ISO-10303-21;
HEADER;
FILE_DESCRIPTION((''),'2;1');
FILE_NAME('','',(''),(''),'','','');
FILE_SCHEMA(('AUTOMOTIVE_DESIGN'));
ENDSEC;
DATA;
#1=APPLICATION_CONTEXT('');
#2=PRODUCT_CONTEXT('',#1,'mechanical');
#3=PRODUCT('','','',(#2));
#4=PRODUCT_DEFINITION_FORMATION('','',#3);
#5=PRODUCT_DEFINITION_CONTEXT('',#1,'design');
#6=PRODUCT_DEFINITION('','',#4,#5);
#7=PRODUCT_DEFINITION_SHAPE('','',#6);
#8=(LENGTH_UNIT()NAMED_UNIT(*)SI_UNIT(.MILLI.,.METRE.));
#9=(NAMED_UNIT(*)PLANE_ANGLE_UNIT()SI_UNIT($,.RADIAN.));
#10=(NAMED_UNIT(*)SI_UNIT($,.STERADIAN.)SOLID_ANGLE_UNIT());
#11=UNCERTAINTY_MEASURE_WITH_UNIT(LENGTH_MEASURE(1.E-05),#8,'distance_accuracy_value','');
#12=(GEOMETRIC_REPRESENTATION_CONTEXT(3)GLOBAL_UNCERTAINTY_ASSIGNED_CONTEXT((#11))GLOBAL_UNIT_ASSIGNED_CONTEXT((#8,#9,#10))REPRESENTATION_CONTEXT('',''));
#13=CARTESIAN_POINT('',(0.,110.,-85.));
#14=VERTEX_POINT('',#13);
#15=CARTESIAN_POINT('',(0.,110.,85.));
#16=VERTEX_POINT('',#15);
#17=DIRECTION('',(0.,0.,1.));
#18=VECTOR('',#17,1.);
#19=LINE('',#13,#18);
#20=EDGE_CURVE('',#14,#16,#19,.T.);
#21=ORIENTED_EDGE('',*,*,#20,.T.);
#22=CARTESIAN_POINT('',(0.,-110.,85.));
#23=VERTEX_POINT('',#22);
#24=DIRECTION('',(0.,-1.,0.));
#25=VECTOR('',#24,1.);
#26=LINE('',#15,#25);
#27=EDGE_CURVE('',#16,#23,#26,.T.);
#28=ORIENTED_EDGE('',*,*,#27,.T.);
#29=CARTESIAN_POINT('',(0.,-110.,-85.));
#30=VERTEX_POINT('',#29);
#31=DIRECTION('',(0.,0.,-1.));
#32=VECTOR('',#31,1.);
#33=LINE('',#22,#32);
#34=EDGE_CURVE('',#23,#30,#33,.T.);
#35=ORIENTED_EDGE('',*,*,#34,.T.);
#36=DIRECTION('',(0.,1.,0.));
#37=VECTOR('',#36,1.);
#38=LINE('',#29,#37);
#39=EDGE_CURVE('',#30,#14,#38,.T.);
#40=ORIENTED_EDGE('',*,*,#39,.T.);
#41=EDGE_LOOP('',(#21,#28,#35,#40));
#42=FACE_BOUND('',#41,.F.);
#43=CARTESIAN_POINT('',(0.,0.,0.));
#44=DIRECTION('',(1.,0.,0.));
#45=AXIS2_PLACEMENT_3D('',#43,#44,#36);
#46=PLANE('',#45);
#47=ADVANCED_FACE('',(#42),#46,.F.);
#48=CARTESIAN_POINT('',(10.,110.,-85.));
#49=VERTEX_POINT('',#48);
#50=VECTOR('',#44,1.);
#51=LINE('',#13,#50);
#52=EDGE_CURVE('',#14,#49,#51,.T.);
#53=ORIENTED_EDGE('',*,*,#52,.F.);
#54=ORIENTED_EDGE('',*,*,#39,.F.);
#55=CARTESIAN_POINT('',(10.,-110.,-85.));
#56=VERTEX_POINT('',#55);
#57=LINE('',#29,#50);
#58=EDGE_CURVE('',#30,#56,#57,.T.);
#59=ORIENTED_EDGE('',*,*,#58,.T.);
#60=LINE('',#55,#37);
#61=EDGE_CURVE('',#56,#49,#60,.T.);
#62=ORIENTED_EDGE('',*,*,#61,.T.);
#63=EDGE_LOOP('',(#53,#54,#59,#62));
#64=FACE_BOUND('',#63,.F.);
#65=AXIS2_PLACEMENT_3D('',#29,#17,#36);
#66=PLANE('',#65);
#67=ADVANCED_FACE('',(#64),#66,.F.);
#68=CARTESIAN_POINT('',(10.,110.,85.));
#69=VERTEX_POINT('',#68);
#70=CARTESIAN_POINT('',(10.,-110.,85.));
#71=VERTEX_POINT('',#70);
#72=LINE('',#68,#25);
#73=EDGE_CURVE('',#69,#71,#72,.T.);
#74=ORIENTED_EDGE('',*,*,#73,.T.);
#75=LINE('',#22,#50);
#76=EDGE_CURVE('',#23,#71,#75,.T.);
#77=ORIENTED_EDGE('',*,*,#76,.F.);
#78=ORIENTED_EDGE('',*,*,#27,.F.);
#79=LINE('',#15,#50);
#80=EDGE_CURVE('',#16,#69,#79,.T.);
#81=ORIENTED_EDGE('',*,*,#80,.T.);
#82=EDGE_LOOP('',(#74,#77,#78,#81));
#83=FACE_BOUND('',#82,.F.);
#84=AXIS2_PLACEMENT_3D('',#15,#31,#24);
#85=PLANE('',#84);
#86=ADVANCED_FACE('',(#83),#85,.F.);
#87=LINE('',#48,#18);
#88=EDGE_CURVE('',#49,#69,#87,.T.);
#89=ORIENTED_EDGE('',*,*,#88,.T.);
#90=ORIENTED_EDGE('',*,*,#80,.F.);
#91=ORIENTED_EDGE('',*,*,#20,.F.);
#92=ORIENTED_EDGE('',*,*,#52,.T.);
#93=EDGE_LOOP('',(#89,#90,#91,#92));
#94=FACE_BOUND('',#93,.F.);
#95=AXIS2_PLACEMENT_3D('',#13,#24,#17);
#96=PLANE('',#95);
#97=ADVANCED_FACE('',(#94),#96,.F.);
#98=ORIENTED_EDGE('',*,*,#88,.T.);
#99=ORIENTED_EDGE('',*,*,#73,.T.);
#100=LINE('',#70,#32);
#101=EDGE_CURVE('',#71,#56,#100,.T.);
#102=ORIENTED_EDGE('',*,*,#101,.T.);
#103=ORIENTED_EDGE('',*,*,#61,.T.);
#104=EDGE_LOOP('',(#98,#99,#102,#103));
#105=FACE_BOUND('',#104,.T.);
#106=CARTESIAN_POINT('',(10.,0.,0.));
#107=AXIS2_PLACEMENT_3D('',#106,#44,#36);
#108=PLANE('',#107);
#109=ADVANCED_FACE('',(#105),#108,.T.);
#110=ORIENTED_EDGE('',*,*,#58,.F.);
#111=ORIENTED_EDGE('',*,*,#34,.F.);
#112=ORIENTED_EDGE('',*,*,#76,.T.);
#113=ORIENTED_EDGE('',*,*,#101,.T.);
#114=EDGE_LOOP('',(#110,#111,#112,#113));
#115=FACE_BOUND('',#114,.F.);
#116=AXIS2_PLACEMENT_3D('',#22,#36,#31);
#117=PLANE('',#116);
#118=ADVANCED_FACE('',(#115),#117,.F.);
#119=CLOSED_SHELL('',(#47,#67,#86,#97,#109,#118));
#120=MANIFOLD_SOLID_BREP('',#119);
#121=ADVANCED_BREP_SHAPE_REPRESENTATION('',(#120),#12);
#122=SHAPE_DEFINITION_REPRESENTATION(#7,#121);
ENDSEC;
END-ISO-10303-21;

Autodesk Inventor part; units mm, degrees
ref_plane "YZ Plane" through (0, 0, 0) normal (1, 0, 0) x (0, 1, 0)
ref_plane "XZ Plane" through (0, 0, 0) normal (0, 1, 0) x (-1, 0, 0)
ref_plane "XY Plane" through (0, 0, 0) normal (0, 0, 1) x (1, 0, 0)
sketch "Sketch1" plane through (0, 0, 0) normal (1, 0, 0) x (0, 1, 0)
  line L0 (-110, -85) -> (110, -85)
  line L1 (110, -85) -> (110, 85)
  line L2 (110, 85) -> (-110, 85)
  line L3 (-110, 85) -> (-110, -85)
  line L4 (-110, -85) -> (110, 85) construction
  line L5 (110, -85) -> (-110, 85) construction
  point P0 (0, 0)
  dimension "d0" = 220
  dimension "d1" = 170
extrude "Extrusion1" add sketch "Sketch1" along normal blind 10
